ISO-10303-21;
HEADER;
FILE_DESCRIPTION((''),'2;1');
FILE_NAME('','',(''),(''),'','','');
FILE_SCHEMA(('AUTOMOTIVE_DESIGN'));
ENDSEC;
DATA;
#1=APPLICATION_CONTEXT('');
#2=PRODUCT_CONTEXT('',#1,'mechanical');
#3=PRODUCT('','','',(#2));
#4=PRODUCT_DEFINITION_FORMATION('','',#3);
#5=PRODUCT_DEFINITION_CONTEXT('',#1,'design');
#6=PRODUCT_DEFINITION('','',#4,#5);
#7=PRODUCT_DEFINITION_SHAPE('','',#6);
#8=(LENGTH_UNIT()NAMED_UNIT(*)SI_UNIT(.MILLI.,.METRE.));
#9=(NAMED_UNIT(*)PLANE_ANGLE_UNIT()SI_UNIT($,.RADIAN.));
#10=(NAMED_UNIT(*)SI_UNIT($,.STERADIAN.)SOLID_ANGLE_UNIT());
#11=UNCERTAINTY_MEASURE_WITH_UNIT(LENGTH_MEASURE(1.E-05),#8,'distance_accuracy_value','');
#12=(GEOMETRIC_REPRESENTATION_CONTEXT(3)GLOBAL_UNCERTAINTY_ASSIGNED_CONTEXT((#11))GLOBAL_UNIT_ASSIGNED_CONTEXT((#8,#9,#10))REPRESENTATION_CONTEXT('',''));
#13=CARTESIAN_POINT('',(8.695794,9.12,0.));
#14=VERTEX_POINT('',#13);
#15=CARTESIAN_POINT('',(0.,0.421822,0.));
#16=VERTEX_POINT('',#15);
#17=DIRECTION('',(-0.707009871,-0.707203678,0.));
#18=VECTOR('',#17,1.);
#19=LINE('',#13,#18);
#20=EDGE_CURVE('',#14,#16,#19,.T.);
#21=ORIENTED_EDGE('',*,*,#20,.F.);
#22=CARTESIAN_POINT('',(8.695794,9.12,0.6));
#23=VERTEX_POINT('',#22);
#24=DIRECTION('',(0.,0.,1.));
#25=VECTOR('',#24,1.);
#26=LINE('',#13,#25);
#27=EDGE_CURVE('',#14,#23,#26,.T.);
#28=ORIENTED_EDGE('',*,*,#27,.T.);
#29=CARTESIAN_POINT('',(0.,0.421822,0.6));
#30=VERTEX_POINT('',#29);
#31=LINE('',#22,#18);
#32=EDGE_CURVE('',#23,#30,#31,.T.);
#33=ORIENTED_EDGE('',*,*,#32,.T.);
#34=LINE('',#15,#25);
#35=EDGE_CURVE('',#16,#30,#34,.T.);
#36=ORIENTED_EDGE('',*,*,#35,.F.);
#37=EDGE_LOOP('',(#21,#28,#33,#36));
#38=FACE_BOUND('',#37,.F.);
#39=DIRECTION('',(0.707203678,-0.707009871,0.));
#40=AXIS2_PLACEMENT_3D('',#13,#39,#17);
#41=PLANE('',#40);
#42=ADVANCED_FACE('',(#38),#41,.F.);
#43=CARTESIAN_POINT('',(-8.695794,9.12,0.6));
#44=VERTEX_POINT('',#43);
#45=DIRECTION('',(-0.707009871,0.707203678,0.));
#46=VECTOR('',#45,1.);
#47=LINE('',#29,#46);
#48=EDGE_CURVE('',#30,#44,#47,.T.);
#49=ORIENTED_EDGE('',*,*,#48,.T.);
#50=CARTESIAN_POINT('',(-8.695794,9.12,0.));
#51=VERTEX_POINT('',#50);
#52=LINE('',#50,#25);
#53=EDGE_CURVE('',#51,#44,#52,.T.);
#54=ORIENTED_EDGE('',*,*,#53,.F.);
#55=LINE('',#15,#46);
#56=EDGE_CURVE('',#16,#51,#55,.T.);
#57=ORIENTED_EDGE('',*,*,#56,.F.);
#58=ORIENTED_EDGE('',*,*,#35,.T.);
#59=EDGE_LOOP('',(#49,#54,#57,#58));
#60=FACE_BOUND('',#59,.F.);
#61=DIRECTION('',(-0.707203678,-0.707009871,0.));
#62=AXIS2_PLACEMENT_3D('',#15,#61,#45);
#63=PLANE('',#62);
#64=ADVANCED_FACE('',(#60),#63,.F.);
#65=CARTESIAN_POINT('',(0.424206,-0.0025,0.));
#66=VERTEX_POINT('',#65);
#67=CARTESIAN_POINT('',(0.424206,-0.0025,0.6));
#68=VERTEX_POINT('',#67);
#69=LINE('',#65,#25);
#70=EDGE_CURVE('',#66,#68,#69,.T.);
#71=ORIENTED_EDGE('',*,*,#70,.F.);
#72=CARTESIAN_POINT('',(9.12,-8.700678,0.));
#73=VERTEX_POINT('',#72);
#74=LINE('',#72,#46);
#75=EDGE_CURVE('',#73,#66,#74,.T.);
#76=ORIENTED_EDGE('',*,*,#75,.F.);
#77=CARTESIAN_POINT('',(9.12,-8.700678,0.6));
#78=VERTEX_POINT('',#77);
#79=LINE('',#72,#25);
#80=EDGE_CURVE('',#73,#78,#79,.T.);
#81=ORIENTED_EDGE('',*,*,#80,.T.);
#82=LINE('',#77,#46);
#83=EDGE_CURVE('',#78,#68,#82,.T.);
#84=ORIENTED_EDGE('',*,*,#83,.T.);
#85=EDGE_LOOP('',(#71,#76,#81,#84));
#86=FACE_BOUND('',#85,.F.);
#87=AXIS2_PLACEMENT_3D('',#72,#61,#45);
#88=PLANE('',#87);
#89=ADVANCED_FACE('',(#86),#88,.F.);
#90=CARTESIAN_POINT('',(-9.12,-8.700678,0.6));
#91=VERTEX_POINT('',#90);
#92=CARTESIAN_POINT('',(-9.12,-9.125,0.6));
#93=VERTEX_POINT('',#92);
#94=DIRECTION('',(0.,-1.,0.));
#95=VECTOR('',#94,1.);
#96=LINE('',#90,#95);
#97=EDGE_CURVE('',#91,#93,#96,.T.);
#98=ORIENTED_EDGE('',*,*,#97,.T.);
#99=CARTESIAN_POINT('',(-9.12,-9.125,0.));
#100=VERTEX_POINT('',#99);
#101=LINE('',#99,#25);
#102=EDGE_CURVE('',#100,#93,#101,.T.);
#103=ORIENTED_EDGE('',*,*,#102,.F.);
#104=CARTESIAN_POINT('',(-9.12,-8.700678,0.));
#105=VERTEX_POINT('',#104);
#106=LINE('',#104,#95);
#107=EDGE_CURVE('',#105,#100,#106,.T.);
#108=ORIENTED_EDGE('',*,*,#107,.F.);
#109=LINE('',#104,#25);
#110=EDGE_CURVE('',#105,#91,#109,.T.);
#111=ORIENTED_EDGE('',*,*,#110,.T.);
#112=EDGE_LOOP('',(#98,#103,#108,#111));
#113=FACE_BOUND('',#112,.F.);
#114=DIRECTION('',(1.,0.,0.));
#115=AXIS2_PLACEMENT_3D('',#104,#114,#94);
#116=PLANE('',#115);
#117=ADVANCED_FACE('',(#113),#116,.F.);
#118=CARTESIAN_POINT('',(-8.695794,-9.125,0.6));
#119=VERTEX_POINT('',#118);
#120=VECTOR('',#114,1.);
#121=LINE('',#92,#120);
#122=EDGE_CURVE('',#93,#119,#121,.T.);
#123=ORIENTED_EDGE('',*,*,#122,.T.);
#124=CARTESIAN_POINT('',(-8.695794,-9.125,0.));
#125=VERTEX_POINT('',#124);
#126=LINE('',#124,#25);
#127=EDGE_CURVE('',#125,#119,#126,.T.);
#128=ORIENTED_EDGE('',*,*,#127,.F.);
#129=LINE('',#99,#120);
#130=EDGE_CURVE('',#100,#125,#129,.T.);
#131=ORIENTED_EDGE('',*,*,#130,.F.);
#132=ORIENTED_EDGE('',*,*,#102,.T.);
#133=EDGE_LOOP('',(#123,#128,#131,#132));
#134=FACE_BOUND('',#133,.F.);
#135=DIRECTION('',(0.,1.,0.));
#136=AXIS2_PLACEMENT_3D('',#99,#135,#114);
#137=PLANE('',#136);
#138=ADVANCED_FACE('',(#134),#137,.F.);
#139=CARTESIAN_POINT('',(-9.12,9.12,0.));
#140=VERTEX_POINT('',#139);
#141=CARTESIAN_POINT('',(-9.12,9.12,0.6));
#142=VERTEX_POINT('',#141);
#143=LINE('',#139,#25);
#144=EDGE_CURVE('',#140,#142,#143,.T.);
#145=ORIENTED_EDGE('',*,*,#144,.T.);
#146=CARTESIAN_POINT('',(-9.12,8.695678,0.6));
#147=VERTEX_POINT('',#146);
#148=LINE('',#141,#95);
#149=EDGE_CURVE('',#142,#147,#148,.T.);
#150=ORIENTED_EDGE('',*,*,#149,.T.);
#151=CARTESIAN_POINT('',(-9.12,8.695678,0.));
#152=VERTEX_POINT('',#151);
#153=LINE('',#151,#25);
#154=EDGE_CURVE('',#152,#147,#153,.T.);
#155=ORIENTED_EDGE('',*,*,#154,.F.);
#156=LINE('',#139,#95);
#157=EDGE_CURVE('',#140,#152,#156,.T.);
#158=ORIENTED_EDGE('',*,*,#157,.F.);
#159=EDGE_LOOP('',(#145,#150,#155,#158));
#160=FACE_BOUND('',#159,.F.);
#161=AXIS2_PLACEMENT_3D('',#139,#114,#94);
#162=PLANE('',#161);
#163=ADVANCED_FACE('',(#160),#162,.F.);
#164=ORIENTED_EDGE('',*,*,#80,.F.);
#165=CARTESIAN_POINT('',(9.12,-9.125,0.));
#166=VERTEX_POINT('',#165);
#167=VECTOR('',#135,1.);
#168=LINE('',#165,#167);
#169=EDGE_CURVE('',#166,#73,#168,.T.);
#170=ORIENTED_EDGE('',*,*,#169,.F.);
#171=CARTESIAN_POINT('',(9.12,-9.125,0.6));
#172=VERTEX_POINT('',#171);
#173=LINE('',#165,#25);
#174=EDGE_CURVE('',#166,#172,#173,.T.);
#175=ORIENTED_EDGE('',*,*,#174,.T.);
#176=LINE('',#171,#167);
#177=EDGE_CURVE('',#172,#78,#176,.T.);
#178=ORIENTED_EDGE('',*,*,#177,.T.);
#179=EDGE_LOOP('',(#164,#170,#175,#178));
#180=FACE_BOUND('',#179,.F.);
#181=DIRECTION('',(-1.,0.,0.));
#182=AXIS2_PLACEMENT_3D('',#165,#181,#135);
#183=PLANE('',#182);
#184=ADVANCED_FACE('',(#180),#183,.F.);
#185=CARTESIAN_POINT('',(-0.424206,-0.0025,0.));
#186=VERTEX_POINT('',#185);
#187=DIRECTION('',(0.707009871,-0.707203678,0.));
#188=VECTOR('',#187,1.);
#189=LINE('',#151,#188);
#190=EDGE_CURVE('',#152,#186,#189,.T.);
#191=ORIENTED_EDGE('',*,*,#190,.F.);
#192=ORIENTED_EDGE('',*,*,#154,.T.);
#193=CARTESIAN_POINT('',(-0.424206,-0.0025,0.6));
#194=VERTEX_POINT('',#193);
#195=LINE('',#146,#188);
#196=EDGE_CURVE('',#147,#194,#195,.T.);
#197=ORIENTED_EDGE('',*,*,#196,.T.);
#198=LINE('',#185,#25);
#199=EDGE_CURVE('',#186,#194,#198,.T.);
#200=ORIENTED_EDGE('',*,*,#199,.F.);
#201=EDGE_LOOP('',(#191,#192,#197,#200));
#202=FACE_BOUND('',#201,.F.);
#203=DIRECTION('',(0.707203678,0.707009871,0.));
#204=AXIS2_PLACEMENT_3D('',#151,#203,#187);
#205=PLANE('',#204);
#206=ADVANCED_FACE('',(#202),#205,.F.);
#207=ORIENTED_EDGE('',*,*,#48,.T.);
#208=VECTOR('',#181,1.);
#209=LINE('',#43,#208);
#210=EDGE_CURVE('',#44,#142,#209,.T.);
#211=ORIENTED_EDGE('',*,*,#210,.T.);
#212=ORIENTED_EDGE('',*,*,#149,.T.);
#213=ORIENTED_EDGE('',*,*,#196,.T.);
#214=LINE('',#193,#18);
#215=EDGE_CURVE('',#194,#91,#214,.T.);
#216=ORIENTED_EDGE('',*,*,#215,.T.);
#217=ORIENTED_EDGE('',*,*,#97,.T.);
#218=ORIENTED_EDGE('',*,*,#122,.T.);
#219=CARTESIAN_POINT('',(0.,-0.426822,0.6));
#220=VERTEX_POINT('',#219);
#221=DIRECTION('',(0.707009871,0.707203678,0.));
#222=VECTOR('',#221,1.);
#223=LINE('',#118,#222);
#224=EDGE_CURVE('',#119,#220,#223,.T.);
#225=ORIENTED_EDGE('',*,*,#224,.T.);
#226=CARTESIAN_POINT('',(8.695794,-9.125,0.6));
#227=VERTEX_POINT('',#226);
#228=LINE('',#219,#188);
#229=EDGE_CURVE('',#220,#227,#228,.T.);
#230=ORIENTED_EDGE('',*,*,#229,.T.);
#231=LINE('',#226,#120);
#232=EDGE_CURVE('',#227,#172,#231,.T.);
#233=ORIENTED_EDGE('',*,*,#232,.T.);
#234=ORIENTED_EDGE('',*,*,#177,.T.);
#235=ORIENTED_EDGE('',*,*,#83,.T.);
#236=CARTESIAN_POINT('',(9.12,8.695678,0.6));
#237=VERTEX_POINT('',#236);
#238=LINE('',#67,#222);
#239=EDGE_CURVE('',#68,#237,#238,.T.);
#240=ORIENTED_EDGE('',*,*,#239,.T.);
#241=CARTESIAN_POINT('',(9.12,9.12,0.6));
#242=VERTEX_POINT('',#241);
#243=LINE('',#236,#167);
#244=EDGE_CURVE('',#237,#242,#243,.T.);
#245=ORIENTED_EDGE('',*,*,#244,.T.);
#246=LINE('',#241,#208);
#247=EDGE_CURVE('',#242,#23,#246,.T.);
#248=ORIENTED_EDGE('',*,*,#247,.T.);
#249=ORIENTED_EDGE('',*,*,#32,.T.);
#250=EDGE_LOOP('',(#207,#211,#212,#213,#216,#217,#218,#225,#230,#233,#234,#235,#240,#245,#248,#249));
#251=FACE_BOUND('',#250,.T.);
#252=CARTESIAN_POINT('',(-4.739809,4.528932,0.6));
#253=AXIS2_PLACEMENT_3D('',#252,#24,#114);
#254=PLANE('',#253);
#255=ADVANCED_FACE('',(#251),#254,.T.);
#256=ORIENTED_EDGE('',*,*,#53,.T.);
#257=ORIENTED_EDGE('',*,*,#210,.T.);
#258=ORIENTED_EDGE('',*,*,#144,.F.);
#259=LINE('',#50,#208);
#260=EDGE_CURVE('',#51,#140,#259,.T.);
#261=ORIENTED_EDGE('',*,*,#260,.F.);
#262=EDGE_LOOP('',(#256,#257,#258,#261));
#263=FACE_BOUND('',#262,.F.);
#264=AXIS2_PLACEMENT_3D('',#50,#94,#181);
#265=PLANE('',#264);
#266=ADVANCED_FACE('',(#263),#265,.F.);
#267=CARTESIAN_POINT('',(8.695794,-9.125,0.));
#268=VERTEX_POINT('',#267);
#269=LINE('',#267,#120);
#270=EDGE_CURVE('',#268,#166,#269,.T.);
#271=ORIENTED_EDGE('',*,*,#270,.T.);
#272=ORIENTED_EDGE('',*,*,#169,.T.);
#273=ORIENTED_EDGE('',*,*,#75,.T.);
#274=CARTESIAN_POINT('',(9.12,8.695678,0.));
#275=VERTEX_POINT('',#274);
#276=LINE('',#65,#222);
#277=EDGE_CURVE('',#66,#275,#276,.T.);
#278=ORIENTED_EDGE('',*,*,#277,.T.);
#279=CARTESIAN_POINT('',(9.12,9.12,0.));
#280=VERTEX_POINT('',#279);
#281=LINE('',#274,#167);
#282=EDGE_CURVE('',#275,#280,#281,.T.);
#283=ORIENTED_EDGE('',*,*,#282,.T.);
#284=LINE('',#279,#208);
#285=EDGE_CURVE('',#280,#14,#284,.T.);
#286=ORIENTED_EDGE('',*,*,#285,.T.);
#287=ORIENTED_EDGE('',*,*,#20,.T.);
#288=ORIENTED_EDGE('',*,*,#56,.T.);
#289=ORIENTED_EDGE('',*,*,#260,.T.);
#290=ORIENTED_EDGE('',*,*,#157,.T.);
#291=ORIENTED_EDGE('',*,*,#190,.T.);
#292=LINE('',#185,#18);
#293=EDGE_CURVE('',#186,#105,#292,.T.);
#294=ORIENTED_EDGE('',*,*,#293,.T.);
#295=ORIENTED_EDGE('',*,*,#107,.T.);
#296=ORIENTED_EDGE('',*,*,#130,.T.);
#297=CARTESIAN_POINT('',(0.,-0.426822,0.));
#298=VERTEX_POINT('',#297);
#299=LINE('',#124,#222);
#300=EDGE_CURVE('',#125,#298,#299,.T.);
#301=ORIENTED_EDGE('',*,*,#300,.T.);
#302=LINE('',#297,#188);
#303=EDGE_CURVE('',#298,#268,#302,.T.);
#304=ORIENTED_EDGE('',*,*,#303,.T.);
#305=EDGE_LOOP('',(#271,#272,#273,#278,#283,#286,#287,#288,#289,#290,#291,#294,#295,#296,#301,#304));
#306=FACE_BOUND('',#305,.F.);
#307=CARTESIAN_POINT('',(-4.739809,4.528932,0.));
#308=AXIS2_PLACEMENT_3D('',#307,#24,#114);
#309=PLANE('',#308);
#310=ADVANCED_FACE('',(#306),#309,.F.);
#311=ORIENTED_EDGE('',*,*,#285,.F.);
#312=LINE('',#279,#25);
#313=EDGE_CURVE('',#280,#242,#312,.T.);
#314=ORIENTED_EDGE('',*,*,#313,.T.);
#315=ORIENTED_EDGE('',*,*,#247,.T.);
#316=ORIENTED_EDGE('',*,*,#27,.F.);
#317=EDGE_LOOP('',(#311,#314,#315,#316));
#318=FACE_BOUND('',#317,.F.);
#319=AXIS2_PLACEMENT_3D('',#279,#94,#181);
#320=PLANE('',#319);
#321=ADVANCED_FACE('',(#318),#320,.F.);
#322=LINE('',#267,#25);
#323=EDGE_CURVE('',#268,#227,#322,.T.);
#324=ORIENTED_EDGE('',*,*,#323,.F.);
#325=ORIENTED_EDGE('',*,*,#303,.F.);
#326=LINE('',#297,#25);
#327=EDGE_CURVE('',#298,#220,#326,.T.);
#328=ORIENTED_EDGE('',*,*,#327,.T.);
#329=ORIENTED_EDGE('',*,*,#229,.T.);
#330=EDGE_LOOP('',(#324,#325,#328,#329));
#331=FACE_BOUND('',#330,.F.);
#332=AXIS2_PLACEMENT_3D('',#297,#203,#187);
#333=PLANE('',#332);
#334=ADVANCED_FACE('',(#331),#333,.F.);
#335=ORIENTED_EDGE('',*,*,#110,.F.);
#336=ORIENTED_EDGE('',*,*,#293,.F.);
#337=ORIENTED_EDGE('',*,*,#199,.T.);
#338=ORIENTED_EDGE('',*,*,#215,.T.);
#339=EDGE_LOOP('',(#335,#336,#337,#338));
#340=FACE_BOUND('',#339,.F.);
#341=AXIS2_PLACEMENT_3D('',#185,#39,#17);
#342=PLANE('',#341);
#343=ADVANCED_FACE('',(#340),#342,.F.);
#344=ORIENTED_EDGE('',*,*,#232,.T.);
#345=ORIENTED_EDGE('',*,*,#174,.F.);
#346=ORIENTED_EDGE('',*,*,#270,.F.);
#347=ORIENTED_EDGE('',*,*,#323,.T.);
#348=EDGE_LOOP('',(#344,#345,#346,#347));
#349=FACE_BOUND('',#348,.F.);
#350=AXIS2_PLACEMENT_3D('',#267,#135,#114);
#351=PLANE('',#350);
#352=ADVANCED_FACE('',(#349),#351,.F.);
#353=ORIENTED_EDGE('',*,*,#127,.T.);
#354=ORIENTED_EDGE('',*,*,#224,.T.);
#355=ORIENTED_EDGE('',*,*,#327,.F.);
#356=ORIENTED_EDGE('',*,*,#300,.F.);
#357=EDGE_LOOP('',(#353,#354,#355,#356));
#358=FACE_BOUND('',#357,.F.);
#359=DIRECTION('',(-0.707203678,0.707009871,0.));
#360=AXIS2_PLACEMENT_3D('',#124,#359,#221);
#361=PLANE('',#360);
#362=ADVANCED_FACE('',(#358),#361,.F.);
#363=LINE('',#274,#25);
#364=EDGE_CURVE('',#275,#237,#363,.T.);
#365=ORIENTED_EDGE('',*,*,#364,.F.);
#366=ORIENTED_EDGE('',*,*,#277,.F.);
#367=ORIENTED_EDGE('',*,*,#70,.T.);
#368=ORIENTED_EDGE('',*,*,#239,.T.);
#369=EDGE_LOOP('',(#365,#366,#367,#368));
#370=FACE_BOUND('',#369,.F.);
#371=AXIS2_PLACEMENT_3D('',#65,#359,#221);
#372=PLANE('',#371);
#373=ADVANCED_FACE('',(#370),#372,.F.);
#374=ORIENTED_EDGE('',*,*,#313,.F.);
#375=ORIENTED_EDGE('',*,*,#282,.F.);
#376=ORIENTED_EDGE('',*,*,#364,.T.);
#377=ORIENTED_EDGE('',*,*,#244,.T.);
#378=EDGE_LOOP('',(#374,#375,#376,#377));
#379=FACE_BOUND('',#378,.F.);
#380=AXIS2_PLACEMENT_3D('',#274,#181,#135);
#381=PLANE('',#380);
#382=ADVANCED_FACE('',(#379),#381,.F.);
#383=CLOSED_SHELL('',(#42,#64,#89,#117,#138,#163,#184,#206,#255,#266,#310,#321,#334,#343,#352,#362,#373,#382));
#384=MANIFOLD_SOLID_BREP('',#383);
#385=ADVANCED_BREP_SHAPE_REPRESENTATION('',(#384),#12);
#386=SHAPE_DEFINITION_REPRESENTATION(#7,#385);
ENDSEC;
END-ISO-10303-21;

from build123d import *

# Parameters (mm, degrees)
F1_DEPTH = 0.6


with BuildPart() as f1:
    # F0 (on Top) → F1 (new body)
    with BuildSketch(Plane.XY):
        Polygon((-9.12, 9.12), (-9.12, 8.6956777771), (-0.4242059384, -0.0025), (-0.2121029692, 0.2096611115), align=None)
        Polygon((0.2121029692, -0.2146611115), (9.12, -9.125), (9.12, -8.7006777771), (0.4242059384, -0.0025), align=None)
        Polygon((-0.2121029692, 0.2096611115), (0, -0.0025), (0.2121029692, 0.2096611115), (0, 0.4218222229), align=None)
        Polygon((0, -0.4268222229), (8.6957940616, -9.125), (9.12, -9.125), (0.2121029692, -0.2146611115), align=None)
        Polygon((-8.6957940616, 9.12), (-9.12, 9.12), (-0.2121029692, 0.2096611115), (0, 0.4218222229), align=None)
        Polygon((0, -0.0025), (-0.2121029692, -0.2146611115), (0, -0.4268222229), (0.2121029692, -0.2146611115), align=None)
        Polygon((-0.4242059384, -0.0025), (-0.2121029692, -0.2146611115), (0, -0.0025), (-0.2121029692, 0.2096611115), align=None)
        Polygon((-0.2121029692, -0.2146611115), (-9.12, -9.125), (-8.6957940616, -9.125), (0, -0.4268222229), align=None)
        Polygon((9.12, 9.12), (0.2121029692, 0.2096611115), (0.4242059384, -0.0025), (9.12, 8.6956777771), align=None)
        Polygon((-9.12, -8.7006777771), (-9.12, -9.125), (-0.2121029692, -0.2146611115), (-0.4242059384, -0.0025), align=None)
        Polygon((0.2121029692, 0.2096611115), (0, -0.0025), (0.2121029692, -0.2146611115), (0.4242059384, -0.0025), align=None)
        Polygon((0, 0.4218222229), (0.2121029692, 0.2096611115), (9.12, 9.12), (8.6957940616, 9.12), align=None)
    extrude(amount=F1_DEPTH)


solid = f1.part
